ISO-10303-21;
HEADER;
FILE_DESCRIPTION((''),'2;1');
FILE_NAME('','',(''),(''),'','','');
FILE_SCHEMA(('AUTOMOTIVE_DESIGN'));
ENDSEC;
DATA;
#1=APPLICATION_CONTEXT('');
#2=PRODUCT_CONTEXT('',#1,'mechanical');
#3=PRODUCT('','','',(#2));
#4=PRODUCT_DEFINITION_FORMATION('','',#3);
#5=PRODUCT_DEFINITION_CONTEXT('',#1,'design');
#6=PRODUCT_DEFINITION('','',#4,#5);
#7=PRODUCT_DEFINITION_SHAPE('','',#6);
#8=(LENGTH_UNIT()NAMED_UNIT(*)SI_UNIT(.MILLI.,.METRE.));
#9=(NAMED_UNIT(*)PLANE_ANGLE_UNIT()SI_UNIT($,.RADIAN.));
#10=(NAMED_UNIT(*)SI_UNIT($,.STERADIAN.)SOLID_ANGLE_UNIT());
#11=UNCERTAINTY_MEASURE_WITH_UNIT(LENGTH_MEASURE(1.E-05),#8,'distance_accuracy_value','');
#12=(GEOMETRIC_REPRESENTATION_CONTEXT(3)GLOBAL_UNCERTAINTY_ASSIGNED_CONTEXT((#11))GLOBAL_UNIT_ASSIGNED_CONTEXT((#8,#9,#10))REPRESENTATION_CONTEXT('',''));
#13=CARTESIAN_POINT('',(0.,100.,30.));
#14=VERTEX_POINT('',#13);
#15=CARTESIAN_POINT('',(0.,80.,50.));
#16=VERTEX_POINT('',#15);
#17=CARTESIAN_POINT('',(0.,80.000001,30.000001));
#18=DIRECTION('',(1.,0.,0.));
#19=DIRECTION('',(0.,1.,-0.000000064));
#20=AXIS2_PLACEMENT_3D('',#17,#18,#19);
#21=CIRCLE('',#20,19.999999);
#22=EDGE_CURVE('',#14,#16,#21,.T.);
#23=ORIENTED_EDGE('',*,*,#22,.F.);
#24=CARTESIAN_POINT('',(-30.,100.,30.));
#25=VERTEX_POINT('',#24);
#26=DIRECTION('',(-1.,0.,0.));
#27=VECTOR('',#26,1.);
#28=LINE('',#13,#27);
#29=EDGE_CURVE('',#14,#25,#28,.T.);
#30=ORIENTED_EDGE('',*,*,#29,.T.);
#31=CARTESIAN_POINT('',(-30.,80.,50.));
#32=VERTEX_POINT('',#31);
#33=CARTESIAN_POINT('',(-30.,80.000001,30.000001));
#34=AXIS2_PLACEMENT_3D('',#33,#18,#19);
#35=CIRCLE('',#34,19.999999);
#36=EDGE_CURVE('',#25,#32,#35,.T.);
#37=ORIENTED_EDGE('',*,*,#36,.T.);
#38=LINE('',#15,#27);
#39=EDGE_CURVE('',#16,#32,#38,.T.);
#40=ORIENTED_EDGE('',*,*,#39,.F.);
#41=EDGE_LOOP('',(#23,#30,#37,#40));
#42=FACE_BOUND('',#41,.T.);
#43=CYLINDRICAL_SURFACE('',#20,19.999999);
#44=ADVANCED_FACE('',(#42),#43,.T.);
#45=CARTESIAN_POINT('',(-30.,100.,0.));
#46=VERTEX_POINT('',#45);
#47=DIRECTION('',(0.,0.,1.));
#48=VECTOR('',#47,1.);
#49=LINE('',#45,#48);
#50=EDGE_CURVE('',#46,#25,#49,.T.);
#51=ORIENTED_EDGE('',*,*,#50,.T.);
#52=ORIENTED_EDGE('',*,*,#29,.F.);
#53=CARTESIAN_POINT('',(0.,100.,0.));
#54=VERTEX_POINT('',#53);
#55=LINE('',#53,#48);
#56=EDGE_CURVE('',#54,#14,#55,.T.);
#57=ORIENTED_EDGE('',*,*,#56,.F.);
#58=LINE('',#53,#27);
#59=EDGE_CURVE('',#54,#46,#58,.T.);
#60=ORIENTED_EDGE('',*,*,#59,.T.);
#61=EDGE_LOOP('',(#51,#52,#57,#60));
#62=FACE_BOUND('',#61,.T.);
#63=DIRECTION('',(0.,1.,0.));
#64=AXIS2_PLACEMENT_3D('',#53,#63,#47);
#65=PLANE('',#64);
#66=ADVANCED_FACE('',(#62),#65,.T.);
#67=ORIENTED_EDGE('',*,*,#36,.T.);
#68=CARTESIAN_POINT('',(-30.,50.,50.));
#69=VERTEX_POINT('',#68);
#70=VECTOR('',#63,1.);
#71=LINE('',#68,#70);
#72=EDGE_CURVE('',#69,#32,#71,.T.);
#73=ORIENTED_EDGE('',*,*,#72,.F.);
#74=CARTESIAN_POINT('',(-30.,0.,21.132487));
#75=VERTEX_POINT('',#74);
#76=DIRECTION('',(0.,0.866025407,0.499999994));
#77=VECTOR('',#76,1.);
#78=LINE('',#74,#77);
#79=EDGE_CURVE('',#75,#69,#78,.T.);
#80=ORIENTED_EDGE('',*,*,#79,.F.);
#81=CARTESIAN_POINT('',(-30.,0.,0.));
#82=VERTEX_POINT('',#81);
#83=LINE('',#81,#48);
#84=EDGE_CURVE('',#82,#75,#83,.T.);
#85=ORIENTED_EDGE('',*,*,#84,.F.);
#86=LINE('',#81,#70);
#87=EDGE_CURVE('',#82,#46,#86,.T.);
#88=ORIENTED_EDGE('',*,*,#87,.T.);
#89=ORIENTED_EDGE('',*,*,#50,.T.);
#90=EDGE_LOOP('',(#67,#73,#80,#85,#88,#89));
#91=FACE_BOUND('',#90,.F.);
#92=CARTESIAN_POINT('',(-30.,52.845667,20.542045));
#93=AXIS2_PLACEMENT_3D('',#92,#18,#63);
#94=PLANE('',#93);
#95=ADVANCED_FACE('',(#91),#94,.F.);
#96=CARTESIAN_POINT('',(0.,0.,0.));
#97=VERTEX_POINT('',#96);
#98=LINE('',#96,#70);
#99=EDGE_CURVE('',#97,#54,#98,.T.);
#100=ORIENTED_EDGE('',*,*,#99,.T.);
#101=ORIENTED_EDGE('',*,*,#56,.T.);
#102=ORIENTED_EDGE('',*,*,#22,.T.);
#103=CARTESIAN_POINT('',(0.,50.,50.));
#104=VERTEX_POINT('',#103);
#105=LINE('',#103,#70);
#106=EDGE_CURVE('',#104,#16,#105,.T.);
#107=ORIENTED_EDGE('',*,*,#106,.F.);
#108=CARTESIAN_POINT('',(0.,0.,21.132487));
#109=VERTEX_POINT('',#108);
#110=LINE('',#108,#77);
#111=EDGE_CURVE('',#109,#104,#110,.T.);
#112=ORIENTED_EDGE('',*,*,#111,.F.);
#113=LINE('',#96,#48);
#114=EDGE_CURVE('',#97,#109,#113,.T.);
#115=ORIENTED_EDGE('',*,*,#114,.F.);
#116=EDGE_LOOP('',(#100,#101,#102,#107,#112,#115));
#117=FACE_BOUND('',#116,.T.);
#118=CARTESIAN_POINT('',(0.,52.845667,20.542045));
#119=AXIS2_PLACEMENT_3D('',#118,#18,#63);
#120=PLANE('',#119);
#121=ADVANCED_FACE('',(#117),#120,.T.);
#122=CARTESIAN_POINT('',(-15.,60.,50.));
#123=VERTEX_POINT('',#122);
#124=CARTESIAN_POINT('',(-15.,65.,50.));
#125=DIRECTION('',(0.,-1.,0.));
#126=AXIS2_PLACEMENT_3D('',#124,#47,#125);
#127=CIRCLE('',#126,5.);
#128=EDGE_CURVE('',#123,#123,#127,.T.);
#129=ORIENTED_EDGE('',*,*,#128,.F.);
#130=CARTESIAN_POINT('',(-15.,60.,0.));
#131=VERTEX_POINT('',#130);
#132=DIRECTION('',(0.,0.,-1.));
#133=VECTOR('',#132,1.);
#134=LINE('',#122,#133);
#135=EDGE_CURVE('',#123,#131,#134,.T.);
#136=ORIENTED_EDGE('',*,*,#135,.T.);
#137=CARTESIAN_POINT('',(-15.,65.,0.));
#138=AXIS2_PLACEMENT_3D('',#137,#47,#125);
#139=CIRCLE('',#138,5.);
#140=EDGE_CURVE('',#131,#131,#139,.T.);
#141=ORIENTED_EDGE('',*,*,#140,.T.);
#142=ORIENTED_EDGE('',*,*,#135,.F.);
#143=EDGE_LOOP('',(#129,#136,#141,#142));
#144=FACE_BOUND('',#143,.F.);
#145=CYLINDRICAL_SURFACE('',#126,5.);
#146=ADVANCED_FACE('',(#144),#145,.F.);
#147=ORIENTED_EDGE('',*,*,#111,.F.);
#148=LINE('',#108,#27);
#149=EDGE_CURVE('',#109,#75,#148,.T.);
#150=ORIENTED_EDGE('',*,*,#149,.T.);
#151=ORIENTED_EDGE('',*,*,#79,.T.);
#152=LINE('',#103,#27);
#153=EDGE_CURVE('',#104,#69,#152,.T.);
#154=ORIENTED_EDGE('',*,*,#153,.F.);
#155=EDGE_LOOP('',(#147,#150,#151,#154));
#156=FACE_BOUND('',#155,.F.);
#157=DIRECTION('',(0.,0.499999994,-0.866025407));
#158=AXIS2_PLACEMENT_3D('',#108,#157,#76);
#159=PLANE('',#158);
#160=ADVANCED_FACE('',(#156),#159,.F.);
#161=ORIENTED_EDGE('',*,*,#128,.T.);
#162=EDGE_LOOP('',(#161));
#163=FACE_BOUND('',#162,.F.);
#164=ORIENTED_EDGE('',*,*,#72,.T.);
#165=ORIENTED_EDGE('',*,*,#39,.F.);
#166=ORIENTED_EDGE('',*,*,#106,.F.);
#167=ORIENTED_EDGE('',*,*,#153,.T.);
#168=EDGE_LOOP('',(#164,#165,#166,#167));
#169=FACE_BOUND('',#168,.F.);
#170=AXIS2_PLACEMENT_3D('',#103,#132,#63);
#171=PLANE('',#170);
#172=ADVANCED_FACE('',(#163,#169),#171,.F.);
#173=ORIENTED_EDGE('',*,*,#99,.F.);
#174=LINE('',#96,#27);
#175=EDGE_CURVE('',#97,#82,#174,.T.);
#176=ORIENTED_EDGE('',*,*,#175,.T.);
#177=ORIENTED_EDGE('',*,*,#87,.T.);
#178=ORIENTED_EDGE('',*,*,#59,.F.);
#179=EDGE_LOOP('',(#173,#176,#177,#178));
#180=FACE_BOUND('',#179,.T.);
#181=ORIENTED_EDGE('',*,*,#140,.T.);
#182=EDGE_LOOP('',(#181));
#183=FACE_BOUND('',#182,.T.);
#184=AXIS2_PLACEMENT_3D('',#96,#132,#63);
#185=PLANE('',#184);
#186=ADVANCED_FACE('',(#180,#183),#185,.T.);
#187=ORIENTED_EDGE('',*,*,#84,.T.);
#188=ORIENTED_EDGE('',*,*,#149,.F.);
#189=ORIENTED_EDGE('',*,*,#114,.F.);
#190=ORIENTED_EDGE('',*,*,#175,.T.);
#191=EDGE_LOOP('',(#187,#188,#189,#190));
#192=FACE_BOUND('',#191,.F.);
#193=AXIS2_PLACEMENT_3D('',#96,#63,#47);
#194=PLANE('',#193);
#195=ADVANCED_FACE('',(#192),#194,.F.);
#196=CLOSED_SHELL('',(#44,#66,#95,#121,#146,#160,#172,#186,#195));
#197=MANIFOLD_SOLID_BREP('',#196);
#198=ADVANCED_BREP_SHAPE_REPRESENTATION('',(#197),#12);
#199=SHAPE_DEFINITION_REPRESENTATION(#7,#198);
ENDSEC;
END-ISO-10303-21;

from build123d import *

# Parameters (mm, degrees)
PAD_DEPTH    = 30
SKETCH001_R  = 5
POCKET_DEPTH = 50.001


with BuildPart() as part:
    # Sketch → Pad (new body)
    with BuildSketch(Plane.YZ):
        with BuildLine():
            Line((0, 0), (100, 0))
            Line((100, 0), (100, 30))
            ThreePointArc((100, 30), (94.142136, 44.142136), (80, 50))
            Line((50, 50), (80, 50))
            Line((0, 21.132487), (50, 50))
            Line((0, 0), (0, 21.132487))
        make_face()
    extrude(amount=-PAD_DEPTH)

    # Sketch001 (on Face5 of Pad) → Pocket (cut, through all)
    with BuildSketch(Plane(origin=(0, 0, 50), x_dir=(0, -1, 0), z_dir=(0, 0, 1))):
        with Locations((-65, -15)):
            Circle(SKETCH001_R)
    extrude(amount=-POCKET_DEPTH, mode=Mode.SUBTRACT)


solid = part.part
